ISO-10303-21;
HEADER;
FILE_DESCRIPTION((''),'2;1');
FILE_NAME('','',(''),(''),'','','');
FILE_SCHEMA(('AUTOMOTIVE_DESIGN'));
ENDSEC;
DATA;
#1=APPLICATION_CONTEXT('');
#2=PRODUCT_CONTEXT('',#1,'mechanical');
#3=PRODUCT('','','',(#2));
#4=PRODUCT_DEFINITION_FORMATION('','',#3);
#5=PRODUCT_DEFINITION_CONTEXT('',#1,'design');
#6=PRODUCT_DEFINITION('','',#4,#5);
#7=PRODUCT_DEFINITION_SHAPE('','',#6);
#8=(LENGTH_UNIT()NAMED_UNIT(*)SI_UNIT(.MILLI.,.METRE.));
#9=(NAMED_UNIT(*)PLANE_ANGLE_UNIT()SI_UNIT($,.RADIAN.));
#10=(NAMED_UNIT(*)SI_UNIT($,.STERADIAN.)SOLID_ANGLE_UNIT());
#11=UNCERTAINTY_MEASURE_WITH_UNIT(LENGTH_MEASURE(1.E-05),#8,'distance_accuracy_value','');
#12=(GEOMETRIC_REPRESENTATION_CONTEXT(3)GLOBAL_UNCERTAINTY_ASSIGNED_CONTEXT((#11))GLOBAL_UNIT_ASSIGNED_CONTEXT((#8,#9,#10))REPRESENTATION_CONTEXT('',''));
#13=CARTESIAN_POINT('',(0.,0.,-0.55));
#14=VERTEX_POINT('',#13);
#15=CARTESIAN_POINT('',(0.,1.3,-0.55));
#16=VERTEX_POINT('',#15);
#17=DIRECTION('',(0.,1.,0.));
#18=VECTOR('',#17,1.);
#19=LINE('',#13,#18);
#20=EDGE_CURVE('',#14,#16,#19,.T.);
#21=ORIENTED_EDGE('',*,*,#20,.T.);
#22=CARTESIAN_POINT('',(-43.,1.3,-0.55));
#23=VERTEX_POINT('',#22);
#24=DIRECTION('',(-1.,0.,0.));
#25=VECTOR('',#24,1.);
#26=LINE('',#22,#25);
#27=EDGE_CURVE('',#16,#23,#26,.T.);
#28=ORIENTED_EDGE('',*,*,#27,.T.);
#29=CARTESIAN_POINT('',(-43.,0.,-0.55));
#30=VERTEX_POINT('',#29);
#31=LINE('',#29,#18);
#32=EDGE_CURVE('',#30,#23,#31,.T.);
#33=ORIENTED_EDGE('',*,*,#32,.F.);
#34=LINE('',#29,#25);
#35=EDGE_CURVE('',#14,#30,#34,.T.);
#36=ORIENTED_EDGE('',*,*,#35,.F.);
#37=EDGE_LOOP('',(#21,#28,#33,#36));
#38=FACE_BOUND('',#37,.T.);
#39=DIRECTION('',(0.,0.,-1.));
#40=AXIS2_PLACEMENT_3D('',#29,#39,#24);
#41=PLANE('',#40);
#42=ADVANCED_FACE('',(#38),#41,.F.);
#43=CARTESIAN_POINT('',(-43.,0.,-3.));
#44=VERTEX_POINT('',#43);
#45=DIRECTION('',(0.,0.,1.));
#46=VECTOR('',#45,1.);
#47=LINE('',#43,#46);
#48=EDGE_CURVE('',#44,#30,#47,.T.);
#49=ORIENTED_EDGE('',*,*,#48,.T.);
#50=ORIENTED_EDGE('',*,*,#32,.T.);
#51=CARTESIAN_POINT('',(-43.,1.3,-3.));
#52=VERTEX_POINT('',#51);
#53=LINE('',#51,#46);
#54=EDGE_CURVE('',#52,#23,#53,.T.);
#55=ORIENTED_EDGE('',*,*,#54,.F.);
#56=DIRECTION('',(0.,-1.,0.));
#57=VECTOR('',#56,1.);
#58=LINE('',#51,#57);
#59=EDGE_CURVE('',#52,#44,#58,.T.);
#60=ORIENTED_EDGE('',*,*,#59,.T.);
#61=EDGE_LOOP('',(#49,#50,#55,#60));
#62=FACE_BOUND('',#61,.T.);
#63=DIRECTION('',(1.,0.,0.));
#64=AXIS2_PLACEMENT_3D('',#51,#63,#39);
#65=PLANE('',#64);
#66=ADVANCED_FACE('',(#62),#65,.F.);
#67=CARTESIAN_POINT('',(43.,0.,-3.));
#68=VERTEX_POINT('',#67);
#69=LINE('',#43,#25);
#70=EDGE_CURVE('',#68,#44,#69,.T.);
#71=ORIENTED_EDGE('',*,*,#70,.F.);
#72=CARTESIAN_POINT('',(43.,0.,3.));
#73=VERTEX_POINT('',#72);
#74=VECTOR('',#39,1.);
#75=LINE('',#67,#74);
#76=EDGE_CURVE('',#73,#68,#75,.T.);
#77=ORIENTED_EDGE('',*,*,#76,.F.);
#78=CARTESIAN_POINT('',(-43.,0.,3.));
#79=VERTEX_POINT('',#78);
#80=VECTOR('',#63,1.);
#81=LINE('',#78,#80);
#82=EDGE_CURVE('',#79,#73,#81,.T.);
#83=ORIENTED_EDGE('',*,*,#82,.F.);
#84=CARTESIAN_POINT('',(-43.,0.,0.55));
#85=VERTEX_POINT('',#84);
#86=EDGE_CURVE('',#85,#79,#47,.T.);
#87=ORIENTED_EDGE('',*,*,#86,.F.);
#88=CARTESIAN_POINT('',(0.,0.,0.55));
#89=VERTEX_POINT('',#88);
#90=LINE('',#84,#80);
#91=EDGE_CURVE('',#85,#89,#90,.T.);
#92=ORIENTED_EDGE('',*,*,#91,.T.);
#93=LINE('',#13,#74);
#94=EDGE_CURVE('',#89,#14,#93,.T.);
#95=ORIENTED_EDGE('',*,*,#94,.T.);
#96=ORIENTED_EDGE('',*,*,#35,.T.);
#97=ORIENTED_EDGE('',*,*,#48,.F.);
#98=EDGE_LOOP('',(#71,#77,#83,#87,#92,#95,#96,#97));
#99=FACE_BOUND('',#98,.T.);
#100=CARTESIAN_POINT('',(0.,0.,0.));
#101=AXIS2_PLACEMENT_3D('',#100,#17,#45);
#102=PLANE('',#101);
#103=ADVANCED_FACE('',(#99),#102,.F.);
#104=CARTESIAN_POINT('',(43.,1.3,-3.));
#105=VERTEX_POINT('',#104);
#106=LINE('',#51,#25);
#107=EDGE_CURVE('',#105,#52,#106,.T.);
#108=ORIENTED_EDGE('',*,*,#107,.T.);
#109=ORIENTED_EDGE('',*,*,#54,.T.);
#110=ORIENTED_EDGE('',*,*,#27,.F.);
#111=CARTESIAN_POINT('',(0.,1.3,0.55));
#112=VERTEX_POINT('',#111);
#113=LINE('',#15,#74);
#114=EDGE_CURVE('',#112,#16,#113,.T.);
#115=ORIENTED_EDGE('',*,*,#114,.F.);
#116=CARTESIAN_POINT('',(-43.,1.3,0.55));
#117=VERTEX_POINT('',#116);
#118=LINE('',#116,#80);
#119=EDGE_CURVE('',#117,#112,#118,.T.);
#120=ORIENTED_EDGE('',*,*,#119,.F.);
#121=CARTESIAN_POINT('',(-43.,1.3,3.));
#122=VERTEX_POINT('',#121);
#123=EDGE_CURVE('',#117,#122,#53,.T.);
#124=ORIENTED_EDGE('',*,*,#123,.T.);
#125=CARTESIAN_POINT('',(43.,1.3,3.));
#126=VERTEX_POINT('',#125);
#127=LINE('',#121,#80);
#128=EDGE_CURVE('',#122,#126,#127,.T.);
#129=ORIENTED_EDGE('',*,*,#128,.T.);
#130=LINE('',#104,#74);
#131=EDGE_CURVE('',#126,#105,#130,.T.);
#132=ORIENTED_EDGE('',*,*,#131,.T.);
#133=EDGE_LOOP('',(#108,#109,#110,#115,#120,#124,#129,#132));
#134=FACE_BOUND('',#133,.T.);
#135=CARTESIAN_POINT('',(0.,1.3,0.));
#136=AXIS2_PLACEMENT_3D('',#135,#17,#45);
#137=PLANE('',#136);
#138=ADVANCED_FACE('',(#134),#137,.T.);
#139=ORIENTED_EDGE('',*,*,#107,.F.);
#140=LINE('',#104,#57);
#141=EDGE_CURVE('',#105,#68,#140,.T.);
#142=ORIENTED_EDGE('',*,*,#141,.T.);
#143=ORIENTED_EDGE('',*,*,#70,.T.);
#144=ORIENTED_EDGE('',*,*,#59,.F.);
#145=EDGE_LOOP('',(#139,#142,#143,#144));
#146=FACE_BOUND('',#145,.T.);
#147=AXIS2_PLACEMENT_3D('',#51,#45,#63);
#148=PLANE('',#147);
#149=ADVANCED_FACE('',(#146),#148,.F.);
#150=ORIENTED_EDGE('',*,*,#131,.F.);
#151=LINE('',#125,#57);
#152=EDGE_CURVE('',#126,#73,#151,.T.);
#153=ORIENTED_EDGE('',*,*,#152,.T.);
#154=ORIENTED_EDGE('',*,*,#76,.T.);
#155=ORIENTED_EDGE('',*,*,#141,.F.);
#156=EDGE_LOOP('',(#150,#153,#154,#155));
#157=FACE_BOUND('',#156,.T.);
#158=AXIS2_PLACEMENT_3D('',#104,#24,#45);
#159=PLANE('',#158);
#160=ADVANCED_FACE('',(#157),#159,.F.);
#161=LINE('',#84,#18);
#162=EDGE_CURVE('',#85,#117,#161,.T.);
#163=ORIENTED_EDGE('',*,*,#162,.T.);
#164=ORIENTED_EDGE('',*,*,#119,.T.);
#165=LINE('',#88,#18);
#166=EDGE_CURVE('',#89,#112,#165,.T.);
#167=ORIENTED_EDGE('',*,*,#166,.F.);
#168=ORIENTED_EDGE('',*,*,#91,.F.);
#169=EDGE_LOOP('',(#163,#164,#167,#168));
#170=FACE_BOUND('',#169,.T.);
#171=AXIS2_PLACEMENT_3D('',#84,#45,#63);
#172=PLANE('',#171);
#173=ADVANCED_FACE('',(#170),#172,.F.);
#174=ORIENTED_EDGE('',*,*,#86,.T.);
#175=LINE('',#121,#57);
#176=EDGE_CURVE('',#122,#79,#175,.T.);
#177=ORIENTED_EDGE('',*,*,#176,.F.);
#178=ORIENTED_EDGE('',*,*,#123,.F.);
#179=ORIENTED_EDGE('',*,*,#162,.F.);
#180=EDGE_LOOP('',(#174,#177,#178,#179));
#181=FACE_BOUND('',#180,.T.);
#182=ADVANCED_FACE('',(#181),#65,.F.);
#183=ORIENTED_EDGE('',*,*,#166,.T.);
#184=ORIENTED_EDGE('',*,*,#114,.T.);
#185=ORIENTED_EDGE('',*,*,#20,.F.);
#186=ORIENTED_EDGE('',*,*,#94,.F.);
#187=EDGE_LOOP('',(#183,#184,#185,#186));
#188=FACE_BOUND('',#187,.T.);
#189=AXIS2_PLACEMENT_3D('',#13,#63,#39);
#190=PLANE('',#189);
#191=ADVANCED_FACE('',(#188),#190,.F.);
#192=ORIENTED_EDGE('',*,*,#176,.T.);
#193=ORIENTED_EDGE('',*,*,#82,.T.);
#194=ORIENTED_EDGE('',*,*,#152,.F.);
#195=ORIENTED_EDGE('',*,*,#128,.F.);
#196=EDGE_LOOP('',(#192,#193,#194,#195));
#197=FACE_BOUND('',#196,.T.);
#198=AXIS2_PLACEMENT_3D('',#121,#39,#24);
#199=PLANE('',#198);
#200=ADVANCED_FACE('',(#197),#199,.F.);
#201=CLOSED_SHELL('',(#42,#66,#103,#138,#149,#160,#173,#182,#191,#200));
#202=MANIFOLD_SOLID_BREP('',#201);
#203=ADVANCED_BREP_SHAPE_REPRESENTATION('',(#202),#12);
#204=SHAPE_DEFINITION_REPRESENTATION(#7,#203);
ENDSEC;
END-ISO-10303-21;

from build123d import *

# Parameters (mm, degrees)
SKETCH1_W           = 86
SKETCH1_H           = 6
BOSS_EXTRUDE1_DEPTH = 1.3
SKETCH2_W           = 43
SKETCH2_H           = 1.1
CUT_EXTRUDE1_DEPTH  = 1.3


with BuildPart() as part:
    # Sketch1 → Boss-Extrude1 (new body)
    with BuildSketch(Plane(origin=(0, 0, 0), x_dir=(1, 0, 0), z_dir=(0, 1, 0))):
        Rectangle(SKETCH1_W, SKETCH1_H)
    extrude(amount=BOSS_EXTRUDE1_DEPTH)

    # Sketch2 → Cut-Extrude1 (cut)
    with BuildSketch(Plane(origin=(0, 1.3, 0), x_dir=(1, 0, 0), z_dir=(0, 1, 0))):
        with Locations((-21.5, 0)):
            Rectangle(SKETCH2_W, SKETCH2_H)
    extrude(amount=-CUT_EXTRUDE1_DEPTH, mode=Mode.SUBTRACT)


solid = part.part
